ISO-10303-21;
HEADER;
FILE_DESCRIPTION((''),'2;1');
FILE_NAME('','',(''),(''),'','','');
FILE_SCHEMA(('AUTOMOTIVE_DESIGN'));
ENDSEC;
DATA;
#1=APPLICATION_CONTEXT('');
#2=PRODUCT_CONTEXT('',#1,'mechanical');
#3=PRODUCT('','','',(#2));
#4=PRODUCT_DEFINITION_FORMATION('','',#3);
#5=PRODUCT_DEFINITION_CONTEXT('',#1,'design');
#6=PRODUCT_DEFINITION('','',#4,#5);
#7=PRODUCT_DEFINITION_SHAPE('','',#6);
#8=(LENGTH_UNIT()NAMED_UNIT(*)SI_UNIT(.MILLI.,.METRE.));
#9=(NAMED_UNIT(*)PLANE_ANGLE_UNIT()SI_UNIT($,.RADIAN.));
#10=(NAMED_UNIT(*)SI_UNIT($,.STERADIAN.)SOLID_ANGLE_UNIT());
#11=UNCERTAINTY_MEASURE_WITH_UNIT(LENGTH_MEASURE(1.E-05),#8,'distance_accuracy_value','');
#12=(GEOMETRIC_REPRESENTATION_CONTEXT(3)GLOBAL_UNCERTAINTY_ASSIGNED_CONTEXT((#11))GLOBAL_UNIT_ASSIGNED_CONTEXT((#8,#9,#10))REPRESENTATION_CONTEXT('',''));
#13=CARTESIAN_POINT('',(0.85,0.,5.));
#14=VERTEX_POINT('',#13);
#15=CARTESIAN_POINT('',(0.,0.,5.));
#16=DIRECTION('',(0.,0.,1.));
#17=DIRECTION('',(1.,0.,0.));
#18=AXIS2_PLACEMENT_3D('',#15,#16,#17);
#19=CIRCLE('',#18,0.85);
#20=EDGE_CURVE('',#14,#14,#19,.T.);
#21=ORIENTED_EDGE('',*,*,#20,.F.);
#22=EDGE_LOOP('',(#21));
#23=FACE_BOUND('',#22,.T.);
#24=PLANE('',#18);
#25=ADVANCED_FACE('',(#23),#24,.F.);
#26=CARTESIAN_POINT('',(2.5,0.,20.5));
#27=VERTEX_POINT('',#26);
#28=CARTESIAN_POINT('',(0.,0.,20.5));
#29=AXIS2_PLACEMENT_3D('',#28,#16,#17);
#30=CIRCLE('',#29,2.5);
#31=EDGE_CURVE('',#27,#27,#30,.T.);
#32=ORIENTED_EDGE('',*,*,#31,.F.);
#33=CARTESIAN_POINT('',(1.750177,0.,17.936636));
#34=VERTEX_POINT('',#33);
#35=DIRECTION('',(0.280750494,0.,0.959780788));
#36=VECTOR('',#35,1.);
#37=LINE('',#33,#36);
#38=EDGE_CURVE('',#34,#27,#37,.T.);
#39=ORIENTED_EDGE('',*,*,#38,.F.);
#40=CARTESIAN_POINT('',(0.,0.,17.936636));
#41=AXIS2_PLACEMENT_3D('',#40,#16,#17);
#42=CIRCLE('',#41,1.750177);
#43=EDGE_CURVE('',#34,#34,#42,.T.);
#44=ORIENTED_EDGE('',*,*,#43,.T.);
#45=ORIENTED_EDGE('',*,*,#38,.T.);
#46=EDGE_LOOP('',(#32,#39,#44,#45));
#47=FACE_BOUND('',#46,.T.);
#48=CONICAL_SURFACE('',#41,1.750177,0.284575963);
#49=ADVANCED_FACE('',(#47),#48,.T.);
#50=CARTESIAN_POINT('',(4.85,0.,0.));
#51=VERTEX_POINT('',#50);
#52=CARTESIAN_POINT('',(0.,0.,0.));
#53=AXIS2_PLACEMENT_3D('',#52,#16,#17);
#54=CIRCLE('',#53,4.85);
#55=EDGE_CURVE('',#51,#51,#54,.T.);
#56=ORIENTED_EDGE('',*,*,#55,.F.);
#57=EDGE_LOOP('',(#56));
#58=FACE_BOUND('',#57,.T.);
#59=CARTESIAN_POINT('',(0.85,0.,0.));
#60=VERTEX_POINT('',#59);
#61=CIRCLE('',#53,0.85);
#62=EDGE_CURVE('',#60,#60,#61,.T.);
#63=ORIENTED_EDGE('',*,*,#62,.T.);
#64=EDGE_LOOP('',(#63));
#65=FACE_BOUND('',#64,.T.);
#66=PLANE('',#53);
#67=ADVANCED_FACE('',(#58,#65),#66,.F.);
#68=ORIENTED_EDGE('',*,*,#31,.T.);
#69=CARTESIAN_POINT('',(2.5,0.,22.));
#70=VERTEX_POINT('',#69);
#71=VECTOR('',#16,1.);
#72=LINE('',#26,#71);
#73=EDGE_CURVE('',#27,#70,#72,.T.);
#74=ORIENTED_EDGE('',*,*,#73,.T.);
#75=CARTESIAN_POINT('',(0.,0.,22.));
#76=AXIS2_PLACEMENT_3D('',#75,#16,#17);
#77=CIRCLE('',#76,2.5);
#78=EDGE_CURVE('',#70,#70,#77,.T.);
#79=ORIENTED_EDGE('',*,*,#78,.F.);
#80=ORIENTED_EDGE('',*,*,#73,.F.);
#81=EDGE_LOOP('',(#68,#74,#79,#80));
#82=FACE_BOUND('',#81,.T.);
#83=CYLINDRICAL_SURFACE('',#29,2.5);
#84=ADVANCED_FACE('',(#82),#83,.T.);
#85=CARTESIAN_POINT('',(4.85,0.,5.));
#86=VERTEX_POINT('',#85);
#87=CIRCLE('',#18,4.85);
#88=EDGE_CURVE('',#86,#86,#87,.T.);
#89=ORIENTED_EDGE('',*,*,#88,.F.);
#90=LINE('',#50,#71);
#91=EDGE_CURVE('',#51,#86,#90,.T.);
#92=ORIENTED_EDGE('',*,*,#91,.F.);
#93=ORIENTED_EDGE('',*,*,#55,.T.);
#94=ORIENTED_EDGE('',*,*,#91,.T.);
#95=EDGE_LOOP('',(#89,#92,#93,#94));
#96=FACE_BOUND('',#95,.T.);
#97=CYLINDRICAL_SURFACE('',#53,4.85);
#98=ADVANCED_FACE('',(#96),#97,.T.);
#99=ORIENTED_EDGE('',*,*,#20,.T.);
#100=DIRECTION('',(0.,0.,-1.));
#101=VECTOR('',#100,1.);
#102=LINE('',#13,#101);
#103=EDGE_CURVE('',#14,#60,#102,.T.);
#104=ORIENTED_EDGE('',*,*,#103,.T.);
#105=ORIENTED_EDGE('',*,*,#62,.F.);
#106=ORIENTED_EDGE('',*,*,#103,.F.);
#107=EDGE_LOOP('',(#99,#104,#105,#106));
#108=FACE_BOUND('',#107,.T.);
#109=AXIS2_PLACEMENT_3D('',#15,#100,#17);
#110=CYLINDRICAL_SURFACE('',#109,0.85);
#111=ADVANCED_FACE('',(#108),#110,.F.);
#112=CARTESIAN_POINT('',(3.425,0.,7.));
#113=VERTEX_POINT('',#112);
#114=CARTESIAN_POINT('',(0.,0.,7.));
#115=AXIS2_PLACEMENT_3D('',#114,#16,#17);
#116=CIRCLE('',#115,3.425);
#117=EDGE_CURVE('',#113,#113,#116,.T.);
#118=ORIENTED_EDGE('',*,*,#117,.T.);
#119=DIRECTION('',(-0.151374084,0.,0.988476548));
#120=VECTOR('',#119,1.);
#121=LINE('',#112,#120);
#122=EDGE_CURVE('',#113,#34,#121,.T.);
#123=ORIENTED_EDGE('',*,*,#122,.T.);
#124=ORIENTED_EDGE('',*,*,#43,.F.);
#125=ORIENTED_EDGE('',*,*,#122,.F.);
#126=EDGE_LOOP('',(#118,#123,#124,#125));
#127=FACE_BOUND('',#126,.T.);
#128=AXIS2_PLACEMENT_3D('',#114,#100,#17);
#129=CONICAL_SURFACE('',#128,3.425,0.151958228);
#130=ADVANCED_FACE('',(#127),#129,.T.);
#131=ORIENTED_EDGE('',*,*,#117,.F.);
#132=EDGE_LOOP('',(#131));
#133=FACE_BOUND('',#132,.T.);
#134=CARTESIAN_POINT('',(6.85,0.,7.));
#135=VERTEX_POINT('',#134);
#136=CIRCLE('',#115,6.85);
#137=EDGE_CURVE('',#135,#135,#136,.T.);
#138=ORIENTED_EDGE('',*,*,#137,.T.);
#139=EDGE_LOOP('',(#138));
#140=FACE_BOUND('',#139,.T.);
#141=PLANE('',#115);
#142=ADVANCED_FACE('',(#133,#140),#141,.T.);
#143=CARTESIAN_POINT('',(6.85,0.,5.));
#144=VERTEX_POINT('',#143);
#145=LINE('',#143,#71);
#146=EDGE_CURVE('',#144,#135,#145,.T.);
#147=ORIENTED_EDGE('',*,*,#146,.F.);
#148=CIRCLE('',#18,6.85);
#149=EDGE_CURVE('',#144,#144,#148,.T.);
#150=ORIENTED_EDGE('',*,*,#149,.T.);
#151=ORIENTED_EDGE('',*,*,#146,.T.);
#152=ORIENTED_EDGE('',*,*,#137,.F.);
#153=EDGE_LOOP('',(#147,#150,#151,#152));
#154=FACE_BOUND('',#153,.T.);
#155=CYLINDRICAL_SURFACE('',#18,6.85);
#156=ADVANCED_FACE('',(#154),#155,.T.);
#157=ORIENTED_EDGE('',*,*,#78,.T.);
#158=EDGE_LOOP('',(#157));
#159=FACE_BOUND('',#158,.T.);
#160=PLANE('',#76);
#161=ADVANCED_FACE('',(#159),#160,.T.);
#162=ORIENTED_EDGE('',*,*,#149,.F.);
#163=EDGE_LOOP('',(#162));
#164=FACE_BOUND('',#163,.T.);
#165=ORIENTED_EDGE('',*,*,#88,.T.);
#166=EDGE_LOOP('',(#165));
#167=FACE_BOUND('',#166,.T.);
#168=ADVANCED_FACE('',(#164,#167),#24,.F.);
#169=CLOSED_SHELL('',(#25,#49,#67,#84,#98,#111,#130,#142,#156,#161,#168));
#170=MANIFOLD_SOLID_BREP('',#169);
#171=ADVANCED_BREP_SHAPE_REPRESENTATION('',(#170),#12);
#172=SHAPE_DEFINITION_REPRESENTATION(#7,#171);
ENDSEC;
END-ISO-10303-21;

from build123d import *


with BuildPart() as f1:
    # F0 (on Front) → F1 (revolve)
    with BuildSketch(Plane.XZ):
        Polygon((0, 7), (0, 5), (0.85, 5), (0.85, 0), (4.85, 0), (4.85, 5), (6.85, 5), (6.85, 7), (3.425, 7), align=None)
        Polygon((0, 22), (0, 7), (3.425, 7), (1.750177, 17.936636), (2.5, 20.5), (2.5, 22), align=None)
    revolve(axis=Axis((0, 0, 15.337315), (0, 0, 1)))


solid = f1.part
